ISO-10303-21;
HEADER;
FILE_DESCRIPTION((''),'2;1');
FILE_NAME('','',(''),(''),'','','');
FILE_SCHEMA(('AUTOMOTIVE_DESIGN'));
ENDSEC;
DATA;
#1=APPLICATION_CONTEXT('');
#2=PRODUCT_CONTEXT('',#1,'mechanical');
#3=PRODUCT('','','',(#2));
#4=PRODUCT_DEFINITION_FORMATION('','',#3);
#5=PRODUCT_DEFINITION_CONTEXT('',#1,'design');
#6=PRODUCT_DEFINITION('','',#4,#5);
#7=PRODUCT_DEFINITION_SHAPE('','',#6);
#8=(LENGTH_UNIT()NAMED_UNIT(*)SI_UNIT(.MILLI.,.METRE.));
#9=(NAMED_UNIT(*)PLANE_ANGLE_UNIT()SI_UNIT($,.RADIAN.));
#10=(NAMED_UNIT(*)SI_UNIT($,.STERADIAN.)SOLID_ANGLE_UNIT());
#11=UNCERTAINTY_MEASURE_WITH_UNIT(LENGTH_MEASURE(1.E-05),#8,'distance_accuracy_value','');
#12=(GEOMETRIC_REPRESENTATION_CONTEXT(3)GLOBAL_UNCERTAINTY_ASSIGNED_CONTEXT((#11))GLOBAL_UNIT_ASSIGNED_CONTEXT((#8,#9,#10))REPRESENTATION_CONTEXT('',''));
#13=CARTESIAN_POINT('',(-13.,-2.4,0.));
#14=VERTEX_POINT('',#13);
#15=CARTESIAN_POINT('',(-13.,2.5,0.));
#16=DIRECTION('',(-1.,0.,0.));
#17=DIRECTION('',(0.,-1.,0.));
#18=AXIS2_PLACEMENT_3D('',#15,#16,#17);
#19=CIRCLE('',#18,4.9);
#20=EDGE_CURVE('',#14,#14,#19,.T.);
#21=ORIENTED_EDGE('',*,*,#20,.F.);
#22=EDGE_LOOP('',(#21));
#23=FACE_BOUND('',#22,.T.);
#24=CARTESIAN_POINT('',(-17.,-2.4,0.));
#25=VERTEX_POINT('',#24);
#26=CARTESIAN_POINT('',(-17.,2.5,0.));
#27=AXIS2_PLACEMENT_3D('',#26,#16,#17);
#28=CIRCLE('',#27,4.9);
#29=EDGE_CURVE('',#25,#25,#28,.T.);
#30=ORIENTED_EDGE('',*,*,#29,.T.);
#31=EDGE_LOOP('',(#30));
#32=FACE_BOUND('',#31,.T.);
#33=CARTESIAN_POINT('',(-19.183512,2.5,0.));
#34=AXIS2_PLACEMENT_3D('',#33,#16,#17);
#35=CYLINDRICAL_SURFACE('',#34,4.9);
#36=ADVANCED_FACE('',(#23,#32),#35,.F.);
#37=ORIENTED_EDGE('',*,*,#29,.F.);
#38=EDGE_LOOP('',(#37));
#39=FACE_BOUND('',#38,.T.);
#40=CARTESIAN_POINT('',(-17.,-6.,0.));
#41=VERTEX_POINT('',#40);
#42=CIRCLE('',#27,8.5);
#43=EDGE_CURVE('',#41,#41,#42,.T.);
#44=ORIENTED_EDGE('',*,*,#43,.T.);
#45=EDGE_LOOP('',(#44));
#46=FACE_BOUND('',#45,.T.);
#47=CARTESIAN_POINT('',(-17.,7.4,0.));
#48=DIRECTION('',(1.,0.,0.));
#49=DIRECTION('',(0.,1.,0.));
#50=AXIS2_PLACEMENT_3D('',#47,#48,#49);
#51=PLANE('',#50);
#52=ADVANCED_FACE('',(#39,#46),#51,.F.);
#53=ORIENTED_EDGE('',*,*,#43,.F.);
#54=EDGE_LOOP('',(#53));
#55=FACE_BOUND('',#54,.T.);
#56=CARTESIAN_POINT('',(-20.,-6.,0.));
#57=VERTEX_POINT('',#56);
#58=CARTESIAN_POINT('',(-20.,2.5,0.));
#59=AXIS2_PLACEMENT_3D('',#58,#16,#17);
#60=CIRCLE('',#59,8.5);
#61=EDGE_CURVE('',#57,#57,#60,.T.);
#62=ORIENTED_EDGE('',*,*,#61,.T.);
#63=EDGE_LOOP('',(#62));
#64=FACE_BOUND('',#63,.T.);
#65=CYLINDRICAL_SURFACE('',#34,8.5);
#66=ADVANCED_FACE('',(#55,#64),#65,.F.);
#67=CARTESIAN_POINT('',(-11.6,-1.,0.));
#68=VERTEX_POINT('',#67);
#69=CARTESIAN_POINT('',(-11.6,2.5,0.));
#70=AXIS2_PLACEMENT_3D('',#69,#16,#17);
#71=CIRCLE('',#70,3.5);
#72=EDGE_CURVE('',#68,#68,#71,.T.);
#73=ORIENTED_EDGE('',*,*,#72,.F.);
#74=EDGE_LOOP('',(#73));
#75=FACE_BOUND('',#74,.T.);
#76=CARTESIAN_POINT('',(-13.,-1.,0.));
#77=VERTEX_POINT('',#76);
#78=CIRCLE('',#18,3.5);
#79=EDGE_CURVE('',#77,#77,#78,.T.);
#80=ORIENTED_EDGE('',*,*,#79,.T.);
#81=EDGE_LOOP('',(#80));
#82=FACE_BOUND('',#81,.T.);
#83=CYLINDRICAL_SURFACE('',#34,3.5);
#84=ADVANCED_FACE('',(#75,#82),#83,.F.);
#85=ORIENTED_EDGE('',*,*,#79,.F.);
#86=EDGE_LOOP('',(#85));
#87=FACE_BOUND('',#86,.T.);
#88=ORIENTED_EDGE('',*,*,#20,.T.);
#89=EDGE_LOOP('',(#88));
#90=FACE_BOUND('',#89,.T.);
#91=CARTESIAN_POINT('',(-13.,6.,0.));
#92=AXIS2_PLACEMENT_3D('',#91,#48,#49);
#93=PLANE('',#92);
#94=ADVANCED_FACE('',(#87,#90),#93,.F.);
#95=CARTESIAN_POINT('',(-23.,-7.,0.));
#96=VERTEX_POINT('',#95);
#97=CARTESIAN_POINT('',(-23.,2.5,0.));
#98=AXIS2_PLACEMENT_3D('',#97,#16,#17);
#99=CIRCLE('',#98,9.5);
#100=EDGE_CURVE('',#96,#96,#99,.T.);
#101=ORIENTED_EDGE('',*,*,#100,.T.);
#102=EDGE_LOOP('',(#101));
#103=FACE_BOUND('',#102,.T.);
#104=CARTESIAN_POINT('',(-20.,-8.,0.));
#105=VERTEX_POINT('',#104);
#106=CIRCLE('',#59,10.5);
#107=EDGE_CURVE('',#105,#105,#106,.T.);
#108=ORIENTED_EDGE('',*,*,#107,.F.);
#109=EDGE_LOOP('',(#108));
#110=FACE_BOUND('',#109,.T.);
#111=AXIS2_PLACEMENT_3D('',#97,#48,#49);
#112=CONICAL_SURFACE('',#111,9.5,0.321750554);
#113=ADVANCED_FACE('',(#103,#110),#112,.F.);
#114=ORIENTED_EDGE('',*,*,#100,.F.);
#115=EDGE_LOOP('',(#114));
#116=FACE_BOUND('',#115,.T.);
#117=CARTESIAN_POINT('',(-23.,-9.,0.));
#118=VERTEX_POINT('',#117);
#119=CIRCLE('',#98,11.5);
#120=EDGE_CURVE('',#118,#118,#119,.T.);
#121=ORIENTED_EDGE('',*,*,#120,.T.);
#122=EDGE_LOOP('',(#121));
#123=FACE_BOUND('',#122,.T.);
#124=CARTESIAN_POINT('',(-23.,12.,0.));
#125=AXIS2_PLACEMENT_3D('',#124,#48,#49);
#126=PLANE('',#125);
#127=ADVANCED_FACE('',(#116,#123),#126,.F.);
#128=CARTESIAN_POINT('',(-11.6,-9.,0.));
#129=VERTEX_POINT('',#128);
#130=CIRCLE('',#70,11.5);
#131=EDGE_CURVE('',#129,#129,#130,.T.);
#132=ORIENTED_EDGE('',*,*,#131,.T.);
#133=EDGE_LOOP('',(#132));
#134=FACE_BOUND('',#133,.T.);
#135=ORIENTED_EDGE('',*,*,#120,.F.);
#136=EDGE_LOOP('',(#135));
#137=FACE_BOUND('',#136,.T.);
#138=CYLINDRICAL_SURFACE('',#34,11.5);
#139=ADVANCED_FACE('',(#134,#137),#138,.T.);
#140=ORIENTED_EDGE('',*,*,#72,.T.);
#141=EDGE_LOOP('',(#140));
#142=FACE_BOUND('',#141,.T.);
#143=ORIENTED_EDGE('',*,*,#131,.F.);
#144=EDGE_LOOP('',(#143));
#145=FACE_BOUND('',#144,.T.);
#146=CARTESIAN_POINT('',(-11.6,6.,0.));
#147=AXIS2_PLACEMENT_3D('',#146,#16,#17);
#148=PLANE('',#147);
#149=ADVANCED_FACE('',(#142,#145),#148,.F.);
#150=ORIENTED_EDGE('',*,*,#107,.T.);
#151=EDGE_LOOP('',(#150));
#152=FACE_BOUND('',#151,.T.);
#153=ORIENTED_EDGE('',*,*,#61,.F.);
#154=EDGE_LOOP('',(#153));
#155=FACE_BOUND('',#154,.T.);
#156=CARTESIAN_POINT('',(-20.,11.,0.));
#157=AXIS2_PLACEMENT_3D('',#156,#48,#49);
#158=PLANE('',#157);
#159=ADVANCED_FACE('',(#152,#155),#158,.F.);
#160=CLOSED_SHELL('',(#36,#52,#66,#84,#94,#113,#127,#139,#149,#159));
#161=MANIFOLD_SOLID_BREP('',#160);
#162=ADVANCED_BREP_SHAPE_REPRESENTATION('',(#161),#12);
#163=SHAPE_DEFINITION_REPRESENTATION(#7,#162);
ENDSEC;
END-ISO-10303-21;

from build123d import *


with BuildPart() as part:
    # 草图1 → 旋转1 (revolve)
    with BuildSketch(Plane.XY, mode=Mode.PRIVATE) as revolve_1_sk:
        Polygon((-11.6, 6), (-11.6, 14), (-23, 14), (-23, 12), (-20, 13), (-20, 11), (-17, 11), (-17, 7.4), (-13, 7.4), (-13, 6), align=None)
    revolve(revolve_1_sk.sketch.rotate(Axis((-19.18351236, 2.5, 0), (1, 0, 0)), 180), axis=Axis((-19.18351236, 2.5, 0), (1, 0, 0)))


solid = part.part
